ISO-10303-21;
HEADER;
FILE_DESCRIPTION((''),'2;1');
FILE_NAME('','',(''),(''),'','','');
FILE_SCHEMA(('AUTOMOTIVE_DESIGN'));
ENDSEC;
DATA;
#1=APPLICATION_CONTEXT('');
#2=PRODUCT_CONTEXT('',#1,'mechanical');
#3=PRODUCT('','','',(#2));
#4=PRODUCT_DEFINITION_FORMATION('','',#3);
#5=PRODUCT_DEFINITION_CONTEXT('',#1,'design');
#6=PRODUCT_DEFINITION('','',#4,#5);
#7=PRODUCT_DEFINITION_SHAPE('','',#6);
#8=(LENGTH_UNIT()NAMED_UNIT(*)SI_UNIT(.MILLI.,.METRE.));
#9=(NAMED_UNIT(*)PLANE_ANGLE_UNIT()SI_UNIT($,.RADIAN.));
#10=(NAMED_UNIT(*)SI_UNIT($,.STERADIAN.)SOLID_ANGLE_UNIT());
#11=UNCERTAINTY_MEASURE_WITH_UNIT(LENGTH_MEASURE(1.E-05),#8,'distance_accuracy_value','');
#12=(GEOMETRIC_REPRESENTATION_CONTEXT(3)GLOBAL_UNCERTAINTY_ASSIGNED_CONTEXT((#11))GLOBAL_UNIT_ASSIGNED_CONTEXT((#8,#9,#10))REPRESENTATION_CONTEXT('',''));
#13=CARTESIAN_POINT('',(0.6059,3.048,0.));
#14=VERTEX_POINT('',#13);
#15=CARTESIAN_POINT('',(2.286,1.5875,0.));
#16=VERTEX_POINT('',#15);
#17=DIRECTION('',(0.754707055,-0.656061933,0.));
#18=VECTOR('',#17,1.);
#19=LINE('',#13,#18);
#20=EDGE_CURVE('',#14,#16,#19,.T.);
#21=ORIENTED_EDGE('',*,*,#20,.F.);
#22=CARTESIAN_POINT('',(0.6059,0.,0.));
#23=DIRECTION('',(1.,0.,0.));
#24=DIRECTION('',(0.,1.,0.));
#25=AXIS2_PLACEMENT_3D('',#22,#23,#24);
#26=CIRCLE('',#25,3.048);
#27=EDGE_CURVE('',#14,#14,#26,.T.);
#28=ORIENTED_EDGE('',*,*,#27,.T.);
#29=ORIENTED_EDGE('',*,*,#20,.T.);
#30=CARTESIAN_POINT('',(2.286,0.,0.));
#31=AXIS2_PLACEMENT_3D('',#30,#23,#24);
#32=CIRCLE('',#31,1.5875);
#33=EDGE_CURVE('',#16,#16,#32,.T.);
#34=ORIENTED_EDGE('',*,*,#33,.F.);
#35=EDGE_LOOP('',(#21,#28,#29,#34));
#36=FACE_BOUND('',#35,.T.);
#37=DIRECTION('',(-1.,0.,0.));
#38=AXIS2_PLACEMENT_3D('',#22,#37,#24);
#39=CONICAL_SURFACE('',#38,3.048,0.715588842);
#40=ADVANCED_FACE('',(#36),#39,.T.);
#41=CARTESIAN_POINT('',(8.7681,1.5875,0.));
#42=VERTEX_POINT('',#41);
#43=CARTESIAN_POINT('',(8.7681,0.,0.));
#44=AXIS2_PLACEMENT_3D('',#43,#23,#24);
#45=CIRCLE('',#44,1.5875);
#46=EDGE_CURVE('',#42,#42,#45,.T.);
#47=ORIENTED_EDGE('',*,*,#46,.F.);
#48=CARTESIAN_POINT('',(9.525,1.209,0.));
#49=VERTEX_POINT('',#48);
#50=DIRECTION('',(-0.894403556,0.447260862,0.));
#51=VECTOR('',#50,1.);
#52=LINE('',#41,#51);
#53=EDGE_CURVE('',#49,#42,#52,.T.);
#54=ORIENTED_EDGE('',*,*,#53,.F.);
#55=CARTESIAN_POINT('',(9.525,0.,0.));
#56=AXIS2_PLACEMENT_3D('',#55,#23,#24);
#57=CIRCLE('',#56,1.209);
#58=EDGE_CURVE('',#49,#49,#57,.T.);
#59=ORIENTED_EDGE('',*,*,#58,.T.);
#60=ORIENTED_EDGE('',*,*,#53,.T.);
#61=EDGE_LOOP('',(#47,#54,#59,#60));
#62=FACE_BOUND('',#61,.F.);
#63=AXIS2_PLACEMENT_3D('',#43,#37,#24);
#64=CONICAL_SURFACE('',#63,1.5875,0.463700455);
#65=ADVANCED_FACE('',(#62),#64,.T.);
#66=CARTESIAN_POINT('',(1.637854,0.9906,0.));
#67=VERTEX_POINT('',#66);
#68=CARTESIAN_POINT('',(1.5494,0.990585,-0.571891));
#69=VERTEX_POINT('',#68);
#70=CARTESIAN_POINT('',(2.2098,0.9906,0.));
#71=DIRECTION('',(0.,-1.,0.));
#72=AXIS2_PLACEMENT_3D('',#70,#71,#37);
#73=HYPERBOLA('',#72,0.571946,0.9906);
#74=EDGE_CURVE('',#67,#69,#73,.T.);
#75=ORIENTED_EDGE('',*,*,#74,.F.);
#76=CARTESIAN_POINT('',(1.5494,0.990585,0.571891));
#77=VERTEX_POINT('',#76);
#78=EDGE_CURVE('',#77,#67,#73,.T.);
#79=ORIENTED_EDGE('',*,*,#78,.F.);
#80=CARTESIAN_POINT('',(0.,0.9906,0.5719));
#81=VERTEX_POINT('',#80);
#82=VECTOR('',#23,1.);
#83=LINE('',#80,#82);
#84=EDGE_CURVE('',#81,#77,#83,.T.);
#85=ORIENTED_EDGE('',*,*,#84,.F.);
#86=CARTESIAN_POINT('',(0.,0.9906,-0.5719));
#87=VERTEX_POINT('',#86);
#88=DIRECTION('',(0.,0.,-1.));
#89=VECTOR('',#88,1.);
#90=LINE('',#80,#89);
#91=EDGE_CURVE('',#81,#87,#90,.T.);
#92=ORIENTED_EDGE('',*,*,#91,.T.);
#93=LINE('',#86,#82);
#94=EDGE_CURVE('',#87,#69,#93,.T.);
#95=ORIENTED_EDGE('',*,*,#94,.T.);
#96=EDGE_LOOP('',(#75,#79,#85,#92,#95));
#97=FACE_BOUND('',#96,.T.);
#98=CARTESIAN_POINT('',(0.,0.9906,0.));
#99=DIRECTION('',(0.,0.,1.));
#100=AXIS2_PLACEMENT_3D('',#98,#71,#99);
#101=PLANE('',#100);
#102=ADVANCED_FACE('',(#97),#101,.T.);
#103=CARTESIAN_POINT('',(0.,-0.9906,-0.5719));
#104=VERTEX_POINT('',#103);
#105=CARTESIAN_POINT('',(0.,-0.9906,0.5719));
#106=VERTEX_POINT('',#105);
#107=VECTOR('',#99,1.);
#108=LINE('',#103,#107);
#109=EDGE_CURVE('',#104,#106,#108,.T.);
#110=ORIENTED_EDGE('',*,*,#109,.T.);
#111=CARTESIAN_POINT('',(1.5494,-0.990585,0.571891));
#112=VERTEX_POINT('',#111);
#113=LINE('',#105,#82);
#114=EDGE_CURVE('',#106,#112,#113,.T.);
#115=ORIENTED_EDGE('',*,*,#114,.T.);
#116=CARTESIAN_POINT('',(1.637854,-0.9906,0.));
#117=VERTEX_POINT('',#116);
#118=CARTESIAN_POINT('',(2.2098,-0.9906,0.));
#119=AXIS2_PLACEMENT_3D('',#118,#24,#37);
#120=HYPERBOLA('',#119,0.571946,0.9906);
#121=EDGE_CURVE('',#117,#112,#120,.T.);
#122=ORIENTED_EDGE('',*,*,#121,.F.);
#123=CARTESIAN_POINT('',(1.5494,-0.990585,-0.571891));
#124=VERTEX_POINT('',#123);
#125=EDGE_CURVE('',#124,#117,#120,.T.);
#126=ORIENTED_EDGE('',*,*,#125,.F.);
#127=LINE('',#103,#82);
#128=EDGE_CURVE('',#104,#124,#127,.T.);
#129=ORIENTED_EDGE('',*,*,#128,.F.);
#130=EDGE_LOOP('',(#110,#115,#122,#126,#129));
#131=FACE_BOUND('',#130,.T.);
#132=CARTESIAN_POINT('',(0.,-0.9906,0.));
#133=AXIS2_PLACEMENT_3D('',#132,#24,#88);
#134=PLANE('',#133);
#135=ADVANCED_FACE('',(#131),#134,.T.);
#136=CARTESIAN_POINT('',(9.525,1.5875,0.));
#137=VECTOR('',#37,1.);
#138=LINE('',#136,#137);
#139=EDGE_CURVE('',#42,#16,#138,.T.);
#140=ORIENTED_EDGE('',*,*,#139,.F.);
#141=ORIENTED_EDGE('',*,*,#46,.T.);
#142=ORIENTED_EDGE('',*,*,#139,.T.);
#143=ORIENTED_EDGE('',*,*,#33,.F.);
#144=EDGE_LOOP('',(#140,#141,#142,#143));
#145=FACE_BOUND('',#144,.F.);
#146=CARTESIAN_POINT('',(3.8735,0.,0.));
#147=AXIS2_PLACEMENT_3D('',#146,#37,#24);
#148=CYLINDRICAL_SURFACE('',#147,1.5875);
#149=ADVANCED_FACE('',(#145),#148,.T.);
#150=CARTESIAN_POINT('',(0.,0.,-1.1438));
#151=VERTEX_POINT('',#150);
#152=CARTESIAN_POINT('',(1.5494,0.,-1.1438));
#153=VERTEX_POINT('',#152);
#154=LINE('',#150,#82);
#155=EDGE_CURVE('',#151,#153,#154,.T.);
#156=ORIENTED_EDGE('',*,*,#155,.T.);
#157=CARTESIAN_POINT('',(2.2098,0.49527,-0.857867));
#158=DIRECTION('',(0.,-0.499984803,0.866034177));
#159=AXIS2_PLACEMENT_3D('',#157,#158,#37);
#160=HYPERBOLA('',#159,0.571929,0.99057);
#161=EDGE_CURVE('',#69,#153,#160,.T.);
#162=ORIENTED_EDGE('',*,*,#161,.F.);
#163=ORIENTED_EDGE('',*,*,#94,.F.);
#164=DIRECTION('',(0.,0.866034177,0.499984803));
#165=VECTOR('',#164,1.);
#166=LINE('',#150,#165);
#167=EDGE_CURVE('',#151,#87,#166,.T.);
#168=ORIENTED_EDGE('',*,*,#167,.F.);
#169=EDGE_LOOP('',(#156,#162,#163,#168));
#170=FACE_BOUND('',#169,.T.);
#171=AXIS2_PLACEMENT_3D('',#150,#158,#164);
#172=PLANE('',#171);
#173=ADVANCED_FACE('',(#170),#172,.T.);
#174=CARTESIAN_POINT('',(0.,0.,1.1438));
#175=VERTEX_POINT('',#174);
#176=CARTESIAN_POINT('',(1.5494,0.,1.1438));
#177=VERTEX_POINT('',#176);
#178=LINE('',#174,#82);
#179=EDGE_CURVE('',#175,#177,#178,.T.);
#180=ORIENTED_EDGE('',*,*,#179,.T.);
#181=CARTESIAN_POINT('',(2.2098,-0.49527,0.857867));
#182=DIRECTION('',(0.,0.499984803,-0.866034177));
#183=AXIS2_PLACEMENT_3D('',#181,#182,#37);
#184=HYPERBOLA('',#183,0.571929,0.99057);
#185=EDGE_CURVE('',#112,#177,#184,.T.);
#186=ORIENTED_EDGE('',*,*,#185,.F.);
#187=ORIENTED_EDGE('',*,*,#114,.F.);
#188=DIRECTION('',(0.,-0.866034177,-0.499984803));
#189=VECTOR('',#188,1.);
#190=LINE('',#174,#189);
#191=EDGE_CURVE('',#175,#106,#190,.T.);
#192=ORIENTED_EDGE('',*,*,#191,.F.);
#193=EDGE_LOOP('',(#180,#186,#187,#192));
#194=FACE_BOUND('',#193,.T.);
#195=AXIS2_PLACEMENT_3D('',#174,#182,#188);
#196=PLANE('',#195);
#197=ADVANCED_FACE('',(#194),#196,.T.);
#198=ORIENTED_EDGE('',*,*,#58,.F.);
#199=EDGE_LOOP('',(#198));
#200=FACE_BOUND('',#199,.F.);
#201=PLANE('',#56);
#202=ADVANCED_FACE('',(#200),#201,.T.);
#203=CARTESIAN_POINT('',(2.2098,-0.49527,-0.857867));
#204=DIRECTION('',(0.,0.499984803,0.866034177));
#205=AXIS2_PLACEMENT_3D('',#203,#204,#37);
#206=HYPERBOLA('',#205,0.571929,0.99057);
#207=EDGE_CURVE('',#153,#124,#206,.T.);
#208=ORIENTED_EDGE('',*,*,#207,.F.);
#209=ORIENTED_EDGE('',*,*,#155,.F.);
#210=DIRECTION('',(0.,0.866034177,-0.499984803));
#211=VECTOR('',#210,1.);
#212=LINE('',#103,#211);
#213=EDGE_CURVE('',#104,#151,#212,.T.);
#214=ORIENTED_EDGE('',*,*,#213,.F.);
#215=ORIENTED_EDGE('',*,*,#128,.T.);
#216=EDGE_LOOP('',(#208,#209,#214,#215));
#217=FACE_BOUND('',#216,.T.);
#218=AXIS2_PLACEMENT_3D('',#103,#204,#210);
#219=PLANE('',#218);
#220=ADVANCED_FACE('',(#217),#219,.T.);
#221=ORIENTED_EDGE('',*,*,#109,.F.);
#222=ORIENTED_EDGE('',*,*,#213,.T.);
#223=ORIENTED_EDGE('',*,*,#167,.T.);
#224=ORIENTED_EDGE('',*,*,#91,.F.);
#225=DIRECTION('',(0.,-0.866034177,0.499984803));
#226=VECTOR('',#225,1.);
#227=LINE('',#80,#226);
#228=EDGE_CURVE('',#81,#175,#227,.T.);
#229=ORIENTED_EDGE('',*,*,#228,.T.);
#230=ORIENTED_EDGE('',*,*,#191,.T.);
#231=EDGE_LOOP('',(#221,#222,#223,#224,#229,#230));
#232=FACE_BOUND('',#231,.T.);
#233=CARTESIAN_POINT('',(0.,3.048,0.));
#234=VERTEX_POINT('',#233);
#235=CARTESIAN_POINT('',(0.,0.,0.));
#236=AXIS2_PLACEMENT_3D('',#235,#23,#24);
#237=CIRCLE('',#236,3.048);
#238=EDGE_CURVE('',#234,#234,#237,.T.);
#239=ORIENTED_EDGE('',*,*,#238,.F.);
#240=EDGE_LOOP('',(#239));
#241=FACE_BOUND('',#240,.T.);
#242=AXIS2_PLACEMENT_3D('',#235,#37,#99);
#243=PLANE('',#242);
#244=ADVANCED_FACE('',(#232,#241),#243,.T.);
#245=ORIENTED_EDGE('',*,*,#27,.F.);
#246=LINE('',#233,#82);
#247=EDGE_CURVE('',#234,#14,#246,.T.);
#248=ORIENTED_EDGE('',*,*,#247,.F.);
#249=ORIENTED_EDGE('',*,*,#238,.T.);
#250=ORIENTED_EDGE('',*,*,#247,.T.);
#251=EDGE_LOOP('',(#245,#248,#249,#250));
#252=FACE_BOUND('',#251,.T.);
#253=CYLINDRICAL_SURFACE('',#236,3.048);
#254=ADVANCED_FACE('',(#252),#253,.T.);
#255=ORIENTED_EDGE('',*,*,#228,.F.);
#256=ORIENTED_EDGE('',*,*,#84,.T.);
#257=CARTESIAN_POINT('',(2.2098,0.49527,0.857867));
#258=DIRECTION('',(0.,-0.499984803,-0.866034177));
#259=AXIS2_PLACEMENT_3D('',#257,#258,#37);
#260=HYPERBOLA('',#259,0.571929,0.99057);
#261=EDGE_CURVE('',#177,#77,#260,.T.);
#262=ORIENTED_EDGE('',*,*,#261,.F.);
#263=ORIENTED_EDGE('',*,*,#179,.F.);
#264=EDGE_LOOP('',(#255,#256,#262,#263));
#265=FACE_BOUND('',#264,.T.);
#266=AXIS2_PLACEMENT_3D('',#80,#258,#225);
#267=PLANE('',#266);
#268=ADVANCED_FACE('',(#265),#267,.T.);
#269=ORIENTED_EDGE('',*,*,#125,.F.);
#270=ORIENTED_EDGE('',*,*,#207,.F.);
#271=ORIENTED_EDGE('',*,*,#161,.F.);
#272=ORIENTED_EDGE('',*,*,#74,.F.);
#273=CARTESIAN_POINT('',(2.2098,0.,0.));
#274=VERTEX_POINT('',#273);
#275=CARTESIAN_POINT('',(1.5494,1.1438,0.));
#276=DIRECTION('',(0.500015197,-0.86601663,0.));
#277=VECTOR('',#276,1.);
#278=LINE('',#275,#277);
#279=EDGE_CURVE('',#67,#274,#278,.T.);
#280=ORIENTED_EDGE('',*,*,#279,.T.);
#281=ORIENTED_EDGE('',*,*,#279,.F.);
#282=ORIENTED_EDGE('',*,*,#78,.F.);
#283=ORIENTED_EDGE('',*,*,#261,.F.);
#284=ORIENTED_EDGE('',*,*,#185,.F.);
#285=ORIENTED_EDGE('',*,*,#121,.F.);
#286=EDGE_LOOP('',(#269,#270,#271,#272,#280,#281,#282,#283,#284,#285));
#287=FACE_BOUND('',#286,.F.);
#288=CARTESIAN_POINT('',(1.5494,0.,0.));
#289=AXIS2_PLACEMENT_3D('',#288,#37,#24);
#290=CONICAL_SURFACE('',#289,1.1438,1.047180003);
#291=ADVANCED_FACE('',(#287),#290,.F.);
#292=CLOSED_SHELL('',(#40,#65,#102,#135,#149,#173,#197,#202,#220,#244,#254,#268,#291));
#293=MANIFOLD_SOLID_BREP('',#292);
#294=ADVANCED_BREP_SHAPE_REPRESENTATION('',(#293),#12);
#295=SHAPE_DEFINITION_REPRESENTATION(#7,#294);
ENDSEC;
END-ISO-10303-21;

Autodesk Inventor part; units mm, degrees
ref_plane "YZ Plane" through (0, 0, 0) normal (1, 0, 0) x (0, 1, 0)
ref_plane "XZ Plane" through (0, 0, 0) normal (0, 1, 0) x (-1, 0, 0)
sketch "Sketch1" plane through (0, 0, 0) normal (0, 0, 1) x (1, 0, 0)
  line L0 (9.525, 0) -> (9.525, 1.5875)
  line L1 (9.525, 1.5875) -> (3.8735, 1.5875)
  line L2 (3.8735, 1.5875) -> (2.286, 1.5875)
  line L3 (0, 3.048) -> (0, 1.1438)
  line L4 (0, 1.1438) -> (1.5494, 1.1438)
  line L5 (1.5494, 1.1438) -> (2.2098, 0)
  line L6 (2.2098, 0) -> (9.525, 0)
  line L7 (0, 3.048) -> (0.6059, 3.048)
  line L8 (0.6059, 3.048) -> (2.286, 1.5875)
  line L9 (2.286, 1.5875) -> (2.286, 1.5875)
  line L10 (3.8735, 1.5875) -> (2.286, 1.5875) construction
  line L11 (2.286, 1.5875) -> (2.286, 1.5875)
  line L12 (-1.905, 0) -> (11.43, 0) projected
  line L13 (0, -0.6096) -> (0, 3.6576) projected
  dimension "d0" = 9.525
  dimension "d1" = 5.6515
  dimension "d2" = 1.5494
  dimension "d3" = 3.175
  dimension "d6" = 2.286
  dimension "d7" = 41
  dimension "d8" = 2.2877
  dimension "d9" = 60
  dimension "d10" = 6.096
  dimension "d11" = 3.175
  dimension "d12" = 1.5875
revolve "Body" add sketch "Sketch1" angle 360 about axis through (2.2098, 0, 0) along (1, 0, 0) contours L6 L5 L4 L3 L7 L8 L2 L1 L0
sketch "Sketch2" plane through (0, 0, 0) normal (-1, 0, 0) x (0, 0, 1)
  circle A0 centre (0, 0) radius 1.1438 projected
  line L0 (0, -4.2672) -> (0, 4.2672) projected
  line L1 (-4.2672, 0) -> (4.2672, 0) projected
  line L2 (1.1438, 0) -> (0.5719, -0.9906)
  line L3 (0.5719, -0.9906) -> (-0.5719, -0.9906)
  line L4 (-0.5719, -0.9906) -> (-1.1438, 0)
  line L5 (-1.1438, 0) -> (-0.5719, 0.9906)
  line L6 (-0.5719, 0.9906) -> (0.5719, 0.9906)
  line L7 (0.5719, 0.9906) -> (1.1438, 0)
  point P0 (0, 1.1438)
extrude "Slot" add sketch "Sketch2" against normal up to next contours L7 A0 | A0 L2 | L6 L0 A0 | A0 L0 L3 | L0 L6 A0 | A0 L3 L0 | L4 A0 | A0 L5
thread "Thread" size "5-40 UNC" class "2A" standard "ANSI Unified Screw Threads" length 5.6515
chamfer "Chamfer1" distance 0.3785 distance2 0.7569 1 edges at (9.525, -1.5875, 0) measured on face at (9.525, -0.1593, -0.6099)
ref_plane "Work Plane1" through (104.775, 0, 0) normal (0, 0, -1) x (1, 0, 0)
equation "\"d15\" = GEL"
equation "\"d17\" = -0.5 * SPD + 0.5 * GD"
equation "\"d18\" = GUL"
equation "\"d0\" = NLG"
equation "\"d1\" = GEL"
equation "\"d2\" = INTI"
equation "\"d3\" = GD"
equation "\"d6\" = KOH"
equation "\"d7\" = 0.5 * SEWI"
equation "\"d8\" = 1.1547 * SW"
equation "\"d10\" = KOD"
equation "\"d11\" = BDM"
equation "\"d12\" = GAL"
equation "\"NLG\" = 9.525"
equation "\"INTI\" = 1.5494"
equation "\"GEL\" = 5.6515"
equation "\"GAL\" = 1.5875"
equation "\"KOH\" = 2.286"
equation "\"KOD\" = 6.096"
equation "\"GUL\" = 0.75692"
equation "\"SPD\" = 2.41808"
equation "\"BDM\" = NND"
equation "\"GD\" = NND"
equation "\"SEWI\" = 82deg"
equation "\"SW\" = 1.9812"
equation "\"TOA\" = 30deg"
equation "\"GD1\" = SPD"
equation "\"THREADDIA\" = 3.175"
equation "\"HHPTC\" = 0.635"
equation "\"NND\" = 3.175"
equation "\"E0\" = 1.155 * SW"
properties part number "ANSI B18.3 - 5-40 UNC x 0.375, HSFCHCSI" material "Steel, Mild"
